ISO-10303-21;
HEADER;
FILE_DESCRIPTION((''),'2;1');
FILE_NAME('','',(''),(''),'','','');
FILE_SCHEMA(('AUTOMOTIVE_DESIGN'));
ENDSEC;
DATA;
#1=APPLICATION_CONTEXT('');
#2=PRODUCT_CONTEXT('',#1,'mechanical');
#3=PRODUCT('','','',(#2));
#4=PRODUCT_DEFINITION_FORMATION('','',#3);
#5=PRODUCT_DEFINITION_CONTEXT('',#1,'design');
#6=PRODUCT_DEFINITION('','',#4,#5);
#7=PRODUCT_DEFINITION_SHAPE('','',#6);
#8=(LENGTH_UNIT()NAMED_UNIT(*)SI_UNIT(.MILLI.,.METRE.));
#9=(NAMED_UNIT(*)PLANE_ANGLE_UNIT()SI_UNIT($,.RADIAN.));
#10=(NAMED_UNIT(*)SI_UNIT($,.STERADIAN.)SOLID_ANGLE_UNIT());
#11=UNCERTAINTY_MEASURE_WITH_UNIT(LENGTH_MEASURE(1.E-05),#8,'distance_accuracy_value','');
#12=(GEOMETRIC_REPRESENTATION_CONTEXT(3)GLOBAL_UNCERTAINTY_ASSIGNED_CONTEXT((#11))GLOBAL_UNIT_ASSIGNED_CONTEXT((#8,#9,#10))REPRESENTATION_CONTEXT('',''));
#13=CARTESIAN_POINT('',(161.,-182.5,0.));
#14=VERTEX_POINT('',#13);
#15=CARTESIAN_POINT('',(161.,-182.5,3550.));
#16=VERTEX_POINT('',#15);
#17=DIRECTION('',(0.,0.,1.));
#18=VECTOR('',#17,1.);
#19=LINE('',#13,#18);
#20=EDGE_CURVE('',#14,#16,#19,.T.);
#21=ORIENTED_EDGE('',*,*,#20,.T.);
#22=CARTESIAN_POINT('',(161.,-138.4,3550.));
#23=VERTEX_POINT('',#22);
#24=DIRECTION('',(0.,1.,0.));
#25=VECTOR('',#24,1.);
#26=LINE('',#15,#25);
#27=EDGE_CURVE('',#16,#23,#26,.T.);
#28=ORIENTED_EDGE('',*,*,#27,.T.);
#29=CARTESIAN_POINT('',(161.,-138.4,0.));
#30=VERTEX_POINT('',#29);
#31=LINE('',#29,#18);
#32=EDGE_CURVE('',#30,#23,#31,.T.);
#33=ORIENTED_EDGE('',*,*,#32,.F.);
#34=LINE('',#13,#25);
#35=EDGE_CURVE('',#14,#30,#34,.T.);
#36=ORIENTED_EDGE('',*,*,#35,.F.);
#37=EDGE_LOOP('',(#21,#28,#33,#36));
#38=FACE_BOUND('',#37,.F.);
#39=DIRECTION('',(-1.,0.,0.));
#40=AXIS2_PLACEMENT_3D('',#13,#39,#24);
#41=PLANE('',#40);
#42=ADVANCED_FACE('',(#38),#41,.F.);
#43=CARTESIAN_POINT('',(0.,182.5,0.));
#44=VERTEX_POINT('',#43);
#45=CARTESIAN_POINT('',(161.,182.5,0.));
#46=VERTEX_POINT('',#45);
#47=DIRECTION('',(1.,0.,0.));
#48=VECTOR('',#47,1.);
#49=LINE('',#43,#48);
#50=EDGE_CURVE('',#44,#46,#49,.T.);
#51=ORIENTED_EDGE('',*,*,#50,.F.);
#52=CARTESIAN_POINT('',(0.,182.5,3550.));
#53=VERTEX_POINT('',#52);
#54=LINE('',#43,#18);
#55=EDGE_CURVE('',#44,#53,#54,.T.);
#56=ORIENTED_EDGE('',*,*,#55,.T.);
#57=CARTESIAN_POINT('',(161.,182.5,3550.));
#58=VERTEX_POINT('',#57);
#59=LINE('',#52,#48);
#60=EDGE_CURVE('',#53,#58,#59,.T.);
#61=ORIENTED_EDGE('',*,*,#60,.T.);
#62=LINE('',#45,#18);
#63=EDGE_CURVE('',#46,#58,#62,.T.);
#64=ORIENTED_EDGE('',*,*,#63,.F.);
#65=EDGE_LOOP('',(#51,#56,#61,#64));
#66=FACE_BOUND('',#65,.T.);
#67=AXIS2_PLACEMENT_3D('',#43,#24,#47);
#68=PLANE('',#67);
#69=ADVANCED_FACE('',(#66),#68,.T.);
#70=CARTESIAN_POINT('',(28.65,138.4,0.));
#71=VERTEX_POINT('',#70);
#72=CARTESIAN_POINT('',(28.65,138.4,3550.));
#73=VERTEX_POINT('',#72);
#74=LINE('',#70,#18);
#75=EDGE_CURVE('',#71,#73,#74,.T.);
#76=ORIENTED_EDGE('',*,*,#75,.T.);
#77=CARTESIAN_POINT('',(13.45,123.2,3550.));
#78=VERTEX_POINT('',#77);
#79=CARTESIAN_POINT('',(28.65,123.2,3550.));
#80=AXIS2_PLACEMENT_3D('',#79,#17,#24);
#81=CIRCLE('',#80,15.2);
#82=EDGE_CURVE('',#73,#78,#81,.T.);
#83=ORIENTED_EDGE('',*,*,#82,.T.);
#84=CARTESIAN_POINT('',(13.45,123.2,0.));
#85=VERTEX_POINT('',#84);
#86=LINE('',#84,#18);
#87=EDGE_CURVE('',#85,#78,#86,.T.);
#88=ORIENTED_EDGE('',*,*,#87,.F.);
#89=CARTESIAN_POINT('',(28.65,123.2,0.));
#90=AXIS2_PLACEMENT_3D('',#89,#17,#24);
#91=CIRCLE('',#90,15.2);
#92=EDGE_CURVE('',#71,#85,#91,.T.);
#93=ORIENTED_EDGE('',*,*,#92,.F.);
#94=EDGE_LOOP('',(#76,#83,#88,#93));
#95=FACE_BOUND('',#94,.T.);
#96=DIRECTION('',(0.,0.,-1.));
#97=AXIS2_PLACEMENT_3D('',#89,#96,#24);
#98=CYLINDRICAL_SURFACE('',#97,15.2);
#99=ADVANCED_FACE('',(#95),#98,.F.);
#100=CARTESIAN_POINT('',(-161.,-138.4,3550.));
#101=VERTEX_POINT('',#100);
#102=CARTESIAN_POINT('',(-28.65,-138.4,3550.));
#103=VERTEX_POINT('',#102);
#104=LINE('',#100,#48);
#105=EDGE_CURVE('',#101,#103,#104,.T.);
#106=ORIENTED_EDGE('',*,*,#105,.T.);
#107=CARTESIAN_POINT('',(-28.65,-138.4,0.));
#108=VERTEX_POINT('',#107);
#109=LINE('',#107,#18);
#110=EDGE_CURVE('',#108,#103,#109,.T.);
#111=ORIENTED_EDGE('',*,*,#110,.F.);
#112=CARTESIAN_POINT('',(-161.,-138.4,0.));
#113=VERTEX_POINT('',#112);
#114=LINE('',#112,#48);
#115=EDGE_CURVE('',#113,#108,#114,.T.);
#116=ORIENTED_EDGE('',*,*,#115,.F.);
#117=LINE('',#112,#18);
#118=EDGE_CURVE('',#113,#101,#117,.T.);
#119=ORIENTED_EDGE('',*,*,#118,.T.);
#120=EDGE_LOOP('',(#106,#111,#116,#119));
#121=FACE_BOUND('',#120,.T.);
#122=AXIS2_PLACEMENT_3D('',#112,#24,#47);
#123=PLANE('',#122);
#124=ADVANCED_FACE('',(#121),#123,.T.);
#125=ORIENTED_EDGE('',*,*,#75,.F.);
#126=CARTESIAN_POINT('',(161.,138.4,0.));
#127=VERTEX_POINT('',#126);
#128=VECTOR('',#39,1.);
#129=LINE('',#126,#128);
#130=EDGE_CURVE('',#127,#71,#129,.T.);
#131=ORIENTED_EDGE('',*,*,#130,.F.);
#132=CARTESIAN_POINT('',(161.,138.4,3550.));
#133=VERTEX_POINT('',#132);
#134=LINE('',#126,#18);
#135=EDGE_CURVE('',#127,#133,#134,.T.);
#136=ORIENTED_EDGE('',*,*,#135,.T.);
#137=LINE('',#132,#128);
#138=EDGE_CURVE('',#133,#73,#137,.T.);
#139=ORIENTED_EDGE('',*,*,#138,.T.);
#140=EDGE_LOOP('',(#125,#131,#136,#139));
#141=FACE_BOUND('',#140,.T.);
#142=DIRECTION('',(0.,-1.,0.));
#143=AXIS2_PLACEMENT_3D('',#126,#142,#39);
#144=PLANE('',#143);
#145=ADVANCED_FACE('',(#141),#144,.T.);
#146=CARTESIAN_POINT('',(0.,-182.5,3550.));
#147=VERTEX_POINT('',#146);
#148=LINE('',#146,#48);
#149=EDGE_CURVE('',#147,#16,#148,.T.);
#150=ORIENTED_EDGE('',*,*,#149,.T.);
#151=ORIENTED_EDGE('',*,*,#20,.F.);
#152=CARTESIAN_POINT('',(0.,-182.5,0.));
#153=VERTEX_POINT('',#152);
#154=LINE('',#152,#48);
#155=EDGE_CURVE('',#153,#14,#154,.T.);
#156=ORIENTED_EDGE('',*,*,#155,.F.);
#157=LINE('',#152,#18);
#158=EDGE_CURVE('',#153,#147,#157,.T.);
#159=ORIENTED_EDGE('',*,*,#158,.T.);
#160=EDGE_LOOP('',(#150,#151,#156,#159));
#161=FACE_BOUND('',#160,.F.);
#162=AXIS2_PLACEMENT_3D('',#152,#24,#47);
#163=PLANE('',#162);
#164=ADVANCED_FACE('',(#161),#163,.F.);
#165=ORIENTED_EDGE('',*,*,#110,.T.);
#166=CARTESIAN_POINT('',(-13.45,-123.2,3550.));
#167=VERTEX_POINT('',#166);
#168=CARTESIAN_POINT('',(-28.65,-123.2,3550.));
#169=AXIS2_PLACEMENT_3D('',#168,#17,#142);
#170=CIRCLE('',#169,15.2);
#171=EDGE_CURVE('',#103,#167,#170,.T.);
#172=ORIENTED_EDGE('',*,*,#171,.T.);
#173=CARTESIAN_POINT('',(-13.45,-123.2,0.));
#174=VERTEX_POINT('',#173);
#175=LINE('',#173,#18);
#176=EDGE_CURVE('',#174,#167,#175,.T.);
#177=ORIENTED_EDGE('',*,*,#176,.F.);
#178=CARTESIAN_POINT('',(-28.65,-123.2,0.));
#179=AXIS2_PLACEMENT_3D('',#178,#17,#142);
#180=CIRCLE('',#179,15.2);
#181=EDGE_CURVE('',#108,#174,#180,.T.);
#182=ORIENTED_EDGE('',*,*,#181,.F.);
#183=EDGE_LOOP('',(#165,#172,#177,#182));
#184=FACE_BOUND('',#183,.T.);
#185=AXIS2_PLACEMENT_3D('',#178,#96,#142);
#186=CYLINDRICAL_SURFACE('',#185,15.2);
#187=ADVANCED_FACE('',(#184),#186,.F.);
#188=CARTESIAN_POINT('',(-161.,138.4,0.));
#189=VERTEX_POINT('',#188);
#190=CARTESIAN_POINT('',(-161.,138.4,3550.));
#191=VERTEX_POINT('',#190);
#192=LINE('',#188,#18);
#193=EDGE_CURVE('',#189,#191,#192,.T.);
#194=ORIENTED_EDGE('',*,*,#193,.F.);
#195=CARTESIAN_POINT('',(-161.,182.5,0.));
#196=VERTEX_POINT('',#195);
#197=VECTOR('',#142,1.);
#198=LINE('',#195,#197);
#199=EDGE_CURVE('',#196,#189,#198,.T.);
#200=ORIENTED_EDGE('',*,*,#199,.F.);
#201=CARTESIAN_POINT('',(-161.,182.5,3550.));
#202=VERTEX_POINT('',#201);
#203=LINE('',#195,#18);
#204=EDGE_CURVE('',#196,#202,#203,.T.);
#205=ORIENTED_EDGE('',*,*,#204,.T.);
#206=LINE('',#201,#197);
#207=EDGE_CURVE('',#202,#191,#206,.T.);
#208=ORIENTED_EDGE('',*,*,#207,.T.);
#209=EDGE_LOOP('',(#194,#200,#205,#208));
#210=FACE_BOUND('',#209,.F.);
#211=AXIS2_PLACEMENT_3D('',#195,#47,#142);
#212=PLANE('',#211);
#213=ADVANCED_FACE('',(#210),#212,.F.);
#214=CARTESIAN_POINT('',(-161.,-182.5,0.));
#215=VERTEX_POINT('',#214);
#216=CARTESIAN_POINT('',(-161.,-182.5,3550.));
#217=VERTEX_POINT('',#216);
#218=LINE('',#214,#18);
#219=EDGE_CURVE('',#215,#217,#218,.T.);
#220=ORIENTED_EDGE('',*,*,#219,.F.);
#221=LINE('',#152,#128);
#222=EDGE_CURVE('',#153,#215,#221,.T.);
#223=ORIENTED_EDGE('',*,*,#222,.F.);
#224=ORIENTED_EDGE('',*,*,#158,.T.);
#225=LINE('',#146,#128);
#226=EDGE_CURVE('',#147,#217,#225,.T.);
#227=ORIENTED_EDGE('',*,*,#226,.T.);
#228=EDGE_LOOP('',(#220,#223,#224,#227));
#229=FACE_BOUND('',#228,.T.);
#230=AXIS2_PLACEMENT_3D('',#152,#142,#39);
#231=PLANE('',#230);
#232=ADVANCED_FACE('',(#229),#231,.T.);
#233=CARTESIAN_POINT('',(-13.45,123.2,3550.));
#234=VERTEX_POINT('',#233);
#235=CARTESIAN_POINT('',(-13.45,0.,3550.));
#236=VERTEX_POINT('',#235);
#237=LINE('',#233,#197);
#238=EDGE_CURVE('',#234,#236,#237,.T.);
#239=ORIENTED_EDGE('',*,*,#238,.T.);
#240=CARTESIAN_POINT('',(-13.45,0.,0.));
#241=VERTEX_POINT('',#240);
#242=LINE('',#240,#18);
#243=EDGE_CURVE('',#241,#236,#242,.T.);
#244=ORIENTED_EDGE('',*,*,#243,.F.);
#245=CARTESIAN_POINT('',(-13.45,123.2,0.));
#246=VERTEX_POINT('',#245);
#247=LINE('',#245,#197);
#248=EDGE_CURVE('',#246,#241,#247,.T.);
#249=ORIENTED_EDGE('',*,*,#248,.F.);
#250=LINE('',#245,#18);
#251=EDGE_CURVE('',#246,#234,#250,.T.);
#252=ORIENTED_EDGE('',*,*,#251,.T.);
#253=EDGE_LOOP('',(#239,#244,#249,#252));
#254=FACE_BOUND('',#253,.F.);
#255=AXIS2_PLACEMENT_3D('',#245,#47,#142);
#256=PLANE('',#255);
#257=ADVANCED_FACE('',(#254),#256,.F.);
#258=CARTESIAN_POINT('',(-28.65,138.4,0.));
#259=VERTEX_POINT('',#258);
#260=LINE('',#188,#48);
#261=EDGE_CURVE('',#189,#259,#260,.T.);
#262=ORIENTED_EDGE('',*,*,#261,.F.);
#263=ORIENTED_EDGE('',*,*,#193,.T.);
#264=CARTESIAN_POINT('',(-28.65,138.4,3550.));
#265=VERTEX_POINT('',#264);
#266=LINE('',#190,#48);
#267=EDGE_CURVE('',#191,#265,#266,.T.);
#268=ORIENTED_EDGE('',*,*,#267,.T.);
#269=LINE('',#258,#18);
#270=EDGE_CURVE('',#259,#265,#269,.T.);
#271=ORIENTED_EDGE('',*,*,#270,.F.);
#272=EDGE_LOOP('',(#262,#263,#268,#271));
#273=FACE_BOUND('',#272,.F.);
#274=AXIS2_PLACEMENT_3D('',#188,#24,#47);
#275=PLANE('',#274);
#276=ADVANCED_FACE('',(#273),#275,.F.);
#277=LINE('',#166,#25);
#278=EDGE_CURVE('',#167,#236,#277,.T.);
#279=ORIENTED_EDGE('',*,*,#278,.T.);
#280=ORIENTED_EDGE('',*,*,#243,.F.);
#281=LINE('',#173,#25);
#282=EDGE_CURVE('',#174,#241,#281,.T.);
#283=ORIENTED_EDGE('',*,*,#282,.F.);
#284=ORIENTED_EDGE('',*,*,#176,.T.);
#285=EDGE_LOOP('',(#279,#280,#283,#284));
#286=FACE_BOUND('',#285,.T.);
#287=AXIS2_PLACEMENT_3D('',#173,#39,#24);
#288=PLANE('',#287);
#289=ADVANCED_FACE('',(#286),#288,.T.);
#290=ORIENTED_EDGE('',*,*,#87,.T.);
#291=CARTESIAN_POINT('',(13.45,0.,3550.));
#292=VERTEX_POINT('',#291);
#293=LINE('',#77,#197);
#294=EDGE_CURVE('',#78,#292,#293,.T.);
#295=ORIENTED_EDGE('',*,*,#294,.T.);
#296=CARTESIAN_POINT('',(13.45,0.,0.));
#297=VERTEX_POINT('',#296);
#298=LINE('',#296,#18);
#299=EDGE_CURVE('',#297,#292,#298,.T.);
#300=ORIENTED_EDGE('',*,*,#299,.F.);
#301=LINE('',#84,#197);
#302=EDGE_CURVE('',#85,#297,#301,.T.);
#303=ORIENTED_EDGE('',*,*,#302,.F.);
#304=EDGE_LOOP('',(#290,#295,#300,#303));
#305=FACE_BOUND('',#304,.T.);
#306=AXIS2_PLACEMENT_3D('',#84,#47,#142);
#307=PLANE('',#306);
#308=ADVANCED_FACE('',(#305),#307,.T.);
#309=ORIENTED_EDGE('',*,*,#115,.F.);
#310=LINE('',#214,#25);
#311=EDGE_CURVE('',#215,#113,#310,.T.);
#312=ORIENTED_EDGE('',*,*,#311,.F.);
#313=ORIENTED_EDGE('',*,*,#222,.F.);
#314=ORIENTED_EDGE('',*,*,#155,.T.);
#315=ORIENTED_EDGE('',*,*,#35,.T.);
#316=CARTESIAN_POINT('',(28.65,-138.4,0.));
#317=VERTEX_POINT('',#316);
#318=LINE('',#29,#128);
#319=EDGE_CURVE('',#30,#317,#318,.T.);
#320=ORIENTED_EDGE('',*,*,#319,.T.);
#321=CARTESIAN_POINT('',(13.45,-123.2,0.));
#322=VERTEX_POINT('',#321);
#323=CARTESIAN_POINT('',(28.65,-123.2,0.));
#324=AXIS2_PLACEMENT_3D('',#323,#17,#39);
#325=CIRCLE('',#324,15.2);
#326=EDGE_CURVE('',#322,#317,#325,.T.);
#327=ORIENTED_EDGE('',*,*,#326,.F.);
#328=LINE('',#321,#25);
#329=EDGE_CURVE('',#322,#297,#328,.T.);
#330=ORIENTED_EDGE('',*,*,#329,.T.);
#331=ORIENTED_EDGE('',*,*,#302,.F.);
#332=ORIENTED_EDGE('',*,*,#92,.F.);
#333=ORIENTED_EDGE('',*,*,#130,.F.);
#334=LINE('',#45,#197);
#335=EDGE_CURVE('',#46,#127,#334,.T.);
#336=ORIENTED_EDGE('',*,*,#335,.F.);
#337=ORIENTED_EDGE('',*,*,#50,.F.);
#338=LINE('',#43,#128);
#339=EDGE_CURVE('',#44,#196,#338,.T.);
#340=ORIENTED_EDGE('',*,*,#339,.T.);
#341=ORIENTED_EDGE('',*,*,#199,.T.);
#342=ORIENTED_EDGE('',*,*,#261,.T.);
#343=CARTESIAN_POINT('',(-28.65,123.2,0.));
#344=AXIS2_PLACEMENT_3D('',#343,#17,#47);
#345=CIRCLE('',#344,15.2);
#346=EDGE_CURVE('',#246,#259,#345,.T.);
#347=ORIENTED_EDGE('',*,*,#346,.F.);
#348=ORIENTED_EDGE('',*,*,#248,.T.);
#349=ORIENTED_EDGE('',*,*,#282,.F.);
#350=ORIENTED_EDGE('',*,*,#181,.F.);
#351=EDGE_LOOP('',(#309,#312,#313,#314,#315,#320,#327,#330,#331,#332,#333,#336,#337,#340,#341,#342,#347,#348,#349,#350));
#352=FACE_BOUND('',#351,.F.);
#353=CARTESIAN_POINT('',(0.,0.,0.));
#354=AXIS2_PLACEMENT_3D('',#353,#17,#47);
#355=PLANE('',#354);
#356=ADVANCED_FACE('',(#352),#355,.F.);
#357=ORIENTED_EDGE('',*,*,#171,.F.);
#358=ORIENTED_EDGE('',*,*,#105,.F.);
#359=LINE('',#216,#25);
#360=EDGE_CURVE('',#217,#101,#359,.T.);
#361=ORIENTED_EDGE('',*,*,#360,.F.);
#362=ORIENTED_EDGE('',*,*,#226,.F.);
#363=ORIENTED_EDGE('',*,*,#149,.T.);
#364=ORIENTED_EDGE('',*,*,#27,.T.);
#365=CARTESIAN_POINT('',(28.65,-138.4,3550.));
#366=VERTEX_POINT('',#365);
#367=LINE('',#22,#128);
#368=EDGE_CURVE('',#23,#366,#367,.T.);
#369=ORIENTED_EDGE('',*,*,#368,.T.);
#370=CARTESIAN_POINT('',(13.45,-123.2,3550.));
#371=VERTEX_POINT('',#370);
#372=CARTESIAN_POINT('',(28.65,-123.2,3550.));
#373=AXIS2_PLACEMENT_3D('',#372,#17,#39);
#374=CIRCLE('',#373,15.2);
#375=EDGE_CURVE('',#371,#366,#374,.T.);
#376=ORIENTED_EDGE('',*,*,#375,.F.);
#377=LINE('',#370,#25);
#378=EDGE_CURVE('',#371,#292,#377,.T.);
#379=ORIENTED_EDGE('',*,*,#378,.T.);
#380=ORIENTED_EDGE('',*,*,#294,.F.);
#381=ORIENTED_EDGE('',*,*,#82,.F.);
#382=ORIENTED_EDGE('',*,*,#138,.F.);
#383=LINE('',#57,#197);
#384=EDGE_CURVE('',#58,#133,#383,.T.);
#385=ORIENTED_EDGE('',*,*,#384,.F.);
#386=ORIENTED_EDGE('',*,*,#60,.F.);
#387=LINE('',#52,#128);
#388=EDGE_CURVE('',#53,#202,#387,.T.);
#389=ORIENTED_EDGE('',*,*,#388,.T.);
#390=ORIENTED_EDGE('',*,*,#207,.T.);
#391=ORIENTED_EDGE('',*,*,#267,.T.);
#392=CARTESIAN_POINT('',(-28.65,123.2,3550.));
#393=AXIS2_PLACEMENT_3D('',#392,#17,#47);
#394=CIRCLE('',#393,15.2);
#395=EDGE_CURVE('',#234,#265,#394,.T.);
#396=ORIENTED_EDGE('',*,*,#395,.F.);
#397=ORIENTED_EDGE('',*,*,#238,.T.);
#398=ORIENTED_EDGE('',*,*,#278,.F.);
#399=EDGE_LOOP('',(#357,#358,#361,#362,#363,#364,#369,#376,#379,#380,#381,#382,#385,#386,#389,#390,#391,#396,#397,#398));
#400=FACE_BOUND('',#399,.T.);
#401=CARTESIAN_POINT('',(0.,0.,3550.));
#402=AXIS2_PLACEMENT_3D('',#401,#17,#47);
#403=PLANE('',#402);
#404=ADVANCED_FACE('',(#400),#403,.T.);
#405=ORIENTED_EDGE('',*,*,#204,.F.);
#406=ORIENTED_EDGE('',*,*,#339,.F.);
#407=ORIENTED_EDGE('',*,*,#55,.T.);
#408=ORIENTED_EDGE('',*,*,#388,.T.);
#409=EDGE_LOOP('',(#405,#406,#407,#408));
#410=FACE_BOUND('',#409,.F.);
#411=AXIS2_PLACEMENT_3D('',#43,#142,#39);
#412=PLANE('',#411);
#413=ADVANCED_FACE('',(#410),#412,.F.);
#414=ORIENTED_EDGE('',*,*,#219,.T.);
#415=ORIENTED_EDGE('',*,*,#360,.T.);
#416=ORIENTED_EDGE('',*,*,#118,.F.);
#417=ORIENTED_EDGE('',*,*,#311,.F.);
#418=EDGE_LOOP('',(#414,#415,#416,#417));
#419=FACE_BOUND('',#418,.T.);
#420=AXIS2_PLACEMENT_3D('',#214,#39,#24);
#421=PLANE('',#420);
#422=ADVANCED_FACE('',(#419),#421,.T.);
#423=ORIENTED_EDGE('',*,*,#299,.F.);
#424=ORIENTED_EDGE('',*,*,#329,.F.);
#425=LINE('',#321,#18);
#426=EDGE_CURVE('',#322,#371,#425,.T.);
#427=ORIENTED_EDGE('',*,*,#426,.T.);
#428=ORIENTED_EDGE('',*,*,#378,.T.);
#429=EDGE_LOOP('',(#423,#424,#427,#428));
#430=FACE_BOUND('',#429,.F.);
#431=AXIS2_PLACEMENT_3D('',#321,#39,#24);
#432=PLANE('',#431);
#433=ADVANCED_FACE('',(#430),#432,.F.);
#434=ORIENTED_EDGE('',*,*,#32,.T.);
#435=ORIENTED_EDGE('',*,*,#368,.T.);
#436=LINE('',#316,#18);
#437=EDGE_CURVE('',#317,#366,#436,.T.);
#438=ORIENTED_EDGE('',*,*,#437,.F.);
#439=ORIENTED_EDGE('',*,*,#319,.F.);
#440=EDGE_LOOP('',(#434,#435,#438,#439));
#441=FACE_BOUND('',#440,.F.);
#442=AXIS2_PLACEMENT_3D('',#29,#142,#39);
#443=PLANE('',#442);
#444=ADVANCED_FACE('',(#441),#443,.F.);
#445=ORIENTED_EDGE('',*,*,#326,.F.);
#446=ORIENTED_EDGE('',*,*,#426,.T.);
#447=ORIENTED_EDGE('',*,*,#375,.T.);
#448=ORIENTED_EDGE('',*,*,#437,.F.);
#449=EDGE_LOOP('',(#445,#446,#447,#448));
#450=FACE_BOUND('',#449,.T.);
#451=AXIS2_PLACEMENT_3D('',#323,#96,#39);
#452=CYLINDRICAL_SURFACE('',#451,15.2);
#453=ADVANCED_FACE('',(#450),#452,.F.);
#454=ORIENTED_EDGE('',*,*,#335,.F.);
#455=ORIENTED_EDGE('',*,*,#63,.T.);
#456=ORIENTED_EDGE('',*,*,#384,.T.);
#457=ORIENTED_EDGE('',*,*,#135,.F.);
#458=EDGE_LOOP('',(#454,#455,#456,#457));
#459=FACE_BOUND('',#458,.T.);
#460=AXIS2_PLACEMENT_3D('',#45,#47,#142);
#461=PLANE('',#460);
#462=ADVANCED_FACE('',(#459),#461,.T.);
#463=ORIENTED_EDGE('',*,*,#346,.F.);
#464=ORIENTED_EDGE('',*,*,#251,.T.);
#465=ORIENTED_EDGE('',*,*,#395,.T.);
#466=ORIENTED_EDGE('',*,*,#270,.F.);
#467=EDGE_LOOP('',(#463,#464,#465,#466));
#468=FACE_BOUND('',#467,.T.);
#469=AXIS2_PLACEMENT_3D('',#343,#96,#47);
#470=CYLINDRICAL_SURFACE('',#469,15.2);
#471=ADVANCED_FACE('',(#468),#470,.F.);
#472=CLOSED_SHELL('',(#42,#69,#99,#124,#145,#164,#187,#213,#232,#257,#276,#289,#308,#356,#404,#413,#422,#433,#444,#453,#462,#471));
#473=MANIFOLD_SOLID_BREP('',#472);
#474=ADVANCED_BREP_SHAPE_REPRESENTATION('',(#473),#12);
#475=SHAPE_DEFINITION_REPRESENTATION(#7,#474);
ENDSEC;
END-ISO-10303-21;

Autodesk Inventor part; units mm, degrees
ref_plane "YZ Plane" through (0, 0, 0) normal (1, 0, 0) x (0, 1, 0)
ref_plane "Start plane" through (0, 0, 0) normal (0, 0, 1) x (1, 0, 0)
ref_plane "End plane" through (0, 0, 3550) normal (0, 0, 1) x (1, 0, 0)
sketch "Sketch" plane through (0, 0, 0) normal (0, 0, 1) x (1, 0, 0)
  line L0 (-161, -182.5) -> (-161, -138.4)
  line L1 (-161, -138.4) -> (-28.65, -138.4)
  line L2 (-13.45, -123.2) -> (-13.45, 0)
  line L3 (-13.45, 0) -> (0, 0) construction
  line L4 (0, 0) -> (0, -182.5) construction
  line L5 (0, -182.5) -> (-161, -182.5)
  line L6 (-60, 0) -> (80, 0) construction
  line L7 (0, -60) -> (0, 80) construction
  line L8 (161, -182.5) -> (161, -138.4)
  line L9 (161, -138.4) -> (28.65, -138.4)
  line L10 (13.45, -123.2) -> (13.45, 0)
  line L11 (13.45, 0) -> (0, 0) construction
  line L12 (0, -182.5) -> (161, -182.5)
  line L13 (-161, 182.5) -> (-161, 138.4)
  line L14 (-161, 138.4) -> (-28.65, 138.4)
  line L15 (-13.45, 123.2) -> (-13.45, 0)
  line L16 (0, 182.5) -> (-161, 182.5)
  line L17 (161, 182.5) -> (161, 138.4)
  line L18 (161, 138.4) -> (28.65, 138.4)
  line L19 (0, 182.5) -> (161, 182.5)
  line L20 (13.45, 123.2) -> (13.45, 0)
  arc A0 (-13.45, 123.2) -> (-28.65, 138.4) centre (-28.65, 123.2) ccw
  arc A1 (28.65, 138.4) -> (13.45, 123.2) centre (28.65, 123.2) ccw
  arc A2 (13.45, -123.2) -> (28.65, -138.4) centre (28.65, -123.2) ccw
  arc A3 (-28.65, -138.4) -> (-13.45, -123.2) centre (-28.65, -123.2) ccw
  line L21 (0, 108) -> (0, -88) construction
  line L22 (-88, 0) -> (108, 0) construction
  point P0 (-13.45, -138.4)
  point P1 (13.45, -138.4)
  point P2 (-13.45, 138.4)
  point P3 (13.45, 138.4)
  dimension "d1" = 182.5
  dimension "d2" = 44.1
  dimension "d3" = 161
  dimension "d4" = 13.45
  dimension "d10" = 15.2
extrude "Body" add sketch "Sketch" along normal up to surface (3550 mm away) from surface at 0
sketch "Sketch4" plane through (0, 0, 0) normal (0, 0, 1) x (1, 0, 0)
  line L0 (0, 0) -> (10, 0)
ref_plane "Work Plane3" through (0, 0, 0) normal (0, -1, 0) x (1, 0, 0)
sketch "Sketch5" plane through (0, 0, 0) normal (0, -1, 0) x (1, 0, 0)
  line L0 (-2, 0) -> (12, 0) projected
  line L1 (-2, 3550) -> (12, 3550) projected
  dimension "d14" = 3550
equation "\"d1\" = 0.5 * G_H"
equation "\"d2\" = G_T1"
equation "\"d3\" = 0.5 * G_W"
equation "\"d4\" = 0.5 * G_T"
equation "\"d10\" = G_IR"
equation "\"d5\" = G_L"
equation "\"G_W\" = 322"
equation "\"G_H\" = 365"
equation "\"G_T\" = 26.9"
equation "\"G_T1\" = 44.1"
equation "\"G_IR\" = 15.2"
equation "\"G_L\" = d14"
equation "\"G_OFFSET_START\" = 0"
equation "\"G_OFFSET_END\" = 0"
properties part number "AS 3679 - 310 UC - 283 - 3550" material "Steel, Mild"
